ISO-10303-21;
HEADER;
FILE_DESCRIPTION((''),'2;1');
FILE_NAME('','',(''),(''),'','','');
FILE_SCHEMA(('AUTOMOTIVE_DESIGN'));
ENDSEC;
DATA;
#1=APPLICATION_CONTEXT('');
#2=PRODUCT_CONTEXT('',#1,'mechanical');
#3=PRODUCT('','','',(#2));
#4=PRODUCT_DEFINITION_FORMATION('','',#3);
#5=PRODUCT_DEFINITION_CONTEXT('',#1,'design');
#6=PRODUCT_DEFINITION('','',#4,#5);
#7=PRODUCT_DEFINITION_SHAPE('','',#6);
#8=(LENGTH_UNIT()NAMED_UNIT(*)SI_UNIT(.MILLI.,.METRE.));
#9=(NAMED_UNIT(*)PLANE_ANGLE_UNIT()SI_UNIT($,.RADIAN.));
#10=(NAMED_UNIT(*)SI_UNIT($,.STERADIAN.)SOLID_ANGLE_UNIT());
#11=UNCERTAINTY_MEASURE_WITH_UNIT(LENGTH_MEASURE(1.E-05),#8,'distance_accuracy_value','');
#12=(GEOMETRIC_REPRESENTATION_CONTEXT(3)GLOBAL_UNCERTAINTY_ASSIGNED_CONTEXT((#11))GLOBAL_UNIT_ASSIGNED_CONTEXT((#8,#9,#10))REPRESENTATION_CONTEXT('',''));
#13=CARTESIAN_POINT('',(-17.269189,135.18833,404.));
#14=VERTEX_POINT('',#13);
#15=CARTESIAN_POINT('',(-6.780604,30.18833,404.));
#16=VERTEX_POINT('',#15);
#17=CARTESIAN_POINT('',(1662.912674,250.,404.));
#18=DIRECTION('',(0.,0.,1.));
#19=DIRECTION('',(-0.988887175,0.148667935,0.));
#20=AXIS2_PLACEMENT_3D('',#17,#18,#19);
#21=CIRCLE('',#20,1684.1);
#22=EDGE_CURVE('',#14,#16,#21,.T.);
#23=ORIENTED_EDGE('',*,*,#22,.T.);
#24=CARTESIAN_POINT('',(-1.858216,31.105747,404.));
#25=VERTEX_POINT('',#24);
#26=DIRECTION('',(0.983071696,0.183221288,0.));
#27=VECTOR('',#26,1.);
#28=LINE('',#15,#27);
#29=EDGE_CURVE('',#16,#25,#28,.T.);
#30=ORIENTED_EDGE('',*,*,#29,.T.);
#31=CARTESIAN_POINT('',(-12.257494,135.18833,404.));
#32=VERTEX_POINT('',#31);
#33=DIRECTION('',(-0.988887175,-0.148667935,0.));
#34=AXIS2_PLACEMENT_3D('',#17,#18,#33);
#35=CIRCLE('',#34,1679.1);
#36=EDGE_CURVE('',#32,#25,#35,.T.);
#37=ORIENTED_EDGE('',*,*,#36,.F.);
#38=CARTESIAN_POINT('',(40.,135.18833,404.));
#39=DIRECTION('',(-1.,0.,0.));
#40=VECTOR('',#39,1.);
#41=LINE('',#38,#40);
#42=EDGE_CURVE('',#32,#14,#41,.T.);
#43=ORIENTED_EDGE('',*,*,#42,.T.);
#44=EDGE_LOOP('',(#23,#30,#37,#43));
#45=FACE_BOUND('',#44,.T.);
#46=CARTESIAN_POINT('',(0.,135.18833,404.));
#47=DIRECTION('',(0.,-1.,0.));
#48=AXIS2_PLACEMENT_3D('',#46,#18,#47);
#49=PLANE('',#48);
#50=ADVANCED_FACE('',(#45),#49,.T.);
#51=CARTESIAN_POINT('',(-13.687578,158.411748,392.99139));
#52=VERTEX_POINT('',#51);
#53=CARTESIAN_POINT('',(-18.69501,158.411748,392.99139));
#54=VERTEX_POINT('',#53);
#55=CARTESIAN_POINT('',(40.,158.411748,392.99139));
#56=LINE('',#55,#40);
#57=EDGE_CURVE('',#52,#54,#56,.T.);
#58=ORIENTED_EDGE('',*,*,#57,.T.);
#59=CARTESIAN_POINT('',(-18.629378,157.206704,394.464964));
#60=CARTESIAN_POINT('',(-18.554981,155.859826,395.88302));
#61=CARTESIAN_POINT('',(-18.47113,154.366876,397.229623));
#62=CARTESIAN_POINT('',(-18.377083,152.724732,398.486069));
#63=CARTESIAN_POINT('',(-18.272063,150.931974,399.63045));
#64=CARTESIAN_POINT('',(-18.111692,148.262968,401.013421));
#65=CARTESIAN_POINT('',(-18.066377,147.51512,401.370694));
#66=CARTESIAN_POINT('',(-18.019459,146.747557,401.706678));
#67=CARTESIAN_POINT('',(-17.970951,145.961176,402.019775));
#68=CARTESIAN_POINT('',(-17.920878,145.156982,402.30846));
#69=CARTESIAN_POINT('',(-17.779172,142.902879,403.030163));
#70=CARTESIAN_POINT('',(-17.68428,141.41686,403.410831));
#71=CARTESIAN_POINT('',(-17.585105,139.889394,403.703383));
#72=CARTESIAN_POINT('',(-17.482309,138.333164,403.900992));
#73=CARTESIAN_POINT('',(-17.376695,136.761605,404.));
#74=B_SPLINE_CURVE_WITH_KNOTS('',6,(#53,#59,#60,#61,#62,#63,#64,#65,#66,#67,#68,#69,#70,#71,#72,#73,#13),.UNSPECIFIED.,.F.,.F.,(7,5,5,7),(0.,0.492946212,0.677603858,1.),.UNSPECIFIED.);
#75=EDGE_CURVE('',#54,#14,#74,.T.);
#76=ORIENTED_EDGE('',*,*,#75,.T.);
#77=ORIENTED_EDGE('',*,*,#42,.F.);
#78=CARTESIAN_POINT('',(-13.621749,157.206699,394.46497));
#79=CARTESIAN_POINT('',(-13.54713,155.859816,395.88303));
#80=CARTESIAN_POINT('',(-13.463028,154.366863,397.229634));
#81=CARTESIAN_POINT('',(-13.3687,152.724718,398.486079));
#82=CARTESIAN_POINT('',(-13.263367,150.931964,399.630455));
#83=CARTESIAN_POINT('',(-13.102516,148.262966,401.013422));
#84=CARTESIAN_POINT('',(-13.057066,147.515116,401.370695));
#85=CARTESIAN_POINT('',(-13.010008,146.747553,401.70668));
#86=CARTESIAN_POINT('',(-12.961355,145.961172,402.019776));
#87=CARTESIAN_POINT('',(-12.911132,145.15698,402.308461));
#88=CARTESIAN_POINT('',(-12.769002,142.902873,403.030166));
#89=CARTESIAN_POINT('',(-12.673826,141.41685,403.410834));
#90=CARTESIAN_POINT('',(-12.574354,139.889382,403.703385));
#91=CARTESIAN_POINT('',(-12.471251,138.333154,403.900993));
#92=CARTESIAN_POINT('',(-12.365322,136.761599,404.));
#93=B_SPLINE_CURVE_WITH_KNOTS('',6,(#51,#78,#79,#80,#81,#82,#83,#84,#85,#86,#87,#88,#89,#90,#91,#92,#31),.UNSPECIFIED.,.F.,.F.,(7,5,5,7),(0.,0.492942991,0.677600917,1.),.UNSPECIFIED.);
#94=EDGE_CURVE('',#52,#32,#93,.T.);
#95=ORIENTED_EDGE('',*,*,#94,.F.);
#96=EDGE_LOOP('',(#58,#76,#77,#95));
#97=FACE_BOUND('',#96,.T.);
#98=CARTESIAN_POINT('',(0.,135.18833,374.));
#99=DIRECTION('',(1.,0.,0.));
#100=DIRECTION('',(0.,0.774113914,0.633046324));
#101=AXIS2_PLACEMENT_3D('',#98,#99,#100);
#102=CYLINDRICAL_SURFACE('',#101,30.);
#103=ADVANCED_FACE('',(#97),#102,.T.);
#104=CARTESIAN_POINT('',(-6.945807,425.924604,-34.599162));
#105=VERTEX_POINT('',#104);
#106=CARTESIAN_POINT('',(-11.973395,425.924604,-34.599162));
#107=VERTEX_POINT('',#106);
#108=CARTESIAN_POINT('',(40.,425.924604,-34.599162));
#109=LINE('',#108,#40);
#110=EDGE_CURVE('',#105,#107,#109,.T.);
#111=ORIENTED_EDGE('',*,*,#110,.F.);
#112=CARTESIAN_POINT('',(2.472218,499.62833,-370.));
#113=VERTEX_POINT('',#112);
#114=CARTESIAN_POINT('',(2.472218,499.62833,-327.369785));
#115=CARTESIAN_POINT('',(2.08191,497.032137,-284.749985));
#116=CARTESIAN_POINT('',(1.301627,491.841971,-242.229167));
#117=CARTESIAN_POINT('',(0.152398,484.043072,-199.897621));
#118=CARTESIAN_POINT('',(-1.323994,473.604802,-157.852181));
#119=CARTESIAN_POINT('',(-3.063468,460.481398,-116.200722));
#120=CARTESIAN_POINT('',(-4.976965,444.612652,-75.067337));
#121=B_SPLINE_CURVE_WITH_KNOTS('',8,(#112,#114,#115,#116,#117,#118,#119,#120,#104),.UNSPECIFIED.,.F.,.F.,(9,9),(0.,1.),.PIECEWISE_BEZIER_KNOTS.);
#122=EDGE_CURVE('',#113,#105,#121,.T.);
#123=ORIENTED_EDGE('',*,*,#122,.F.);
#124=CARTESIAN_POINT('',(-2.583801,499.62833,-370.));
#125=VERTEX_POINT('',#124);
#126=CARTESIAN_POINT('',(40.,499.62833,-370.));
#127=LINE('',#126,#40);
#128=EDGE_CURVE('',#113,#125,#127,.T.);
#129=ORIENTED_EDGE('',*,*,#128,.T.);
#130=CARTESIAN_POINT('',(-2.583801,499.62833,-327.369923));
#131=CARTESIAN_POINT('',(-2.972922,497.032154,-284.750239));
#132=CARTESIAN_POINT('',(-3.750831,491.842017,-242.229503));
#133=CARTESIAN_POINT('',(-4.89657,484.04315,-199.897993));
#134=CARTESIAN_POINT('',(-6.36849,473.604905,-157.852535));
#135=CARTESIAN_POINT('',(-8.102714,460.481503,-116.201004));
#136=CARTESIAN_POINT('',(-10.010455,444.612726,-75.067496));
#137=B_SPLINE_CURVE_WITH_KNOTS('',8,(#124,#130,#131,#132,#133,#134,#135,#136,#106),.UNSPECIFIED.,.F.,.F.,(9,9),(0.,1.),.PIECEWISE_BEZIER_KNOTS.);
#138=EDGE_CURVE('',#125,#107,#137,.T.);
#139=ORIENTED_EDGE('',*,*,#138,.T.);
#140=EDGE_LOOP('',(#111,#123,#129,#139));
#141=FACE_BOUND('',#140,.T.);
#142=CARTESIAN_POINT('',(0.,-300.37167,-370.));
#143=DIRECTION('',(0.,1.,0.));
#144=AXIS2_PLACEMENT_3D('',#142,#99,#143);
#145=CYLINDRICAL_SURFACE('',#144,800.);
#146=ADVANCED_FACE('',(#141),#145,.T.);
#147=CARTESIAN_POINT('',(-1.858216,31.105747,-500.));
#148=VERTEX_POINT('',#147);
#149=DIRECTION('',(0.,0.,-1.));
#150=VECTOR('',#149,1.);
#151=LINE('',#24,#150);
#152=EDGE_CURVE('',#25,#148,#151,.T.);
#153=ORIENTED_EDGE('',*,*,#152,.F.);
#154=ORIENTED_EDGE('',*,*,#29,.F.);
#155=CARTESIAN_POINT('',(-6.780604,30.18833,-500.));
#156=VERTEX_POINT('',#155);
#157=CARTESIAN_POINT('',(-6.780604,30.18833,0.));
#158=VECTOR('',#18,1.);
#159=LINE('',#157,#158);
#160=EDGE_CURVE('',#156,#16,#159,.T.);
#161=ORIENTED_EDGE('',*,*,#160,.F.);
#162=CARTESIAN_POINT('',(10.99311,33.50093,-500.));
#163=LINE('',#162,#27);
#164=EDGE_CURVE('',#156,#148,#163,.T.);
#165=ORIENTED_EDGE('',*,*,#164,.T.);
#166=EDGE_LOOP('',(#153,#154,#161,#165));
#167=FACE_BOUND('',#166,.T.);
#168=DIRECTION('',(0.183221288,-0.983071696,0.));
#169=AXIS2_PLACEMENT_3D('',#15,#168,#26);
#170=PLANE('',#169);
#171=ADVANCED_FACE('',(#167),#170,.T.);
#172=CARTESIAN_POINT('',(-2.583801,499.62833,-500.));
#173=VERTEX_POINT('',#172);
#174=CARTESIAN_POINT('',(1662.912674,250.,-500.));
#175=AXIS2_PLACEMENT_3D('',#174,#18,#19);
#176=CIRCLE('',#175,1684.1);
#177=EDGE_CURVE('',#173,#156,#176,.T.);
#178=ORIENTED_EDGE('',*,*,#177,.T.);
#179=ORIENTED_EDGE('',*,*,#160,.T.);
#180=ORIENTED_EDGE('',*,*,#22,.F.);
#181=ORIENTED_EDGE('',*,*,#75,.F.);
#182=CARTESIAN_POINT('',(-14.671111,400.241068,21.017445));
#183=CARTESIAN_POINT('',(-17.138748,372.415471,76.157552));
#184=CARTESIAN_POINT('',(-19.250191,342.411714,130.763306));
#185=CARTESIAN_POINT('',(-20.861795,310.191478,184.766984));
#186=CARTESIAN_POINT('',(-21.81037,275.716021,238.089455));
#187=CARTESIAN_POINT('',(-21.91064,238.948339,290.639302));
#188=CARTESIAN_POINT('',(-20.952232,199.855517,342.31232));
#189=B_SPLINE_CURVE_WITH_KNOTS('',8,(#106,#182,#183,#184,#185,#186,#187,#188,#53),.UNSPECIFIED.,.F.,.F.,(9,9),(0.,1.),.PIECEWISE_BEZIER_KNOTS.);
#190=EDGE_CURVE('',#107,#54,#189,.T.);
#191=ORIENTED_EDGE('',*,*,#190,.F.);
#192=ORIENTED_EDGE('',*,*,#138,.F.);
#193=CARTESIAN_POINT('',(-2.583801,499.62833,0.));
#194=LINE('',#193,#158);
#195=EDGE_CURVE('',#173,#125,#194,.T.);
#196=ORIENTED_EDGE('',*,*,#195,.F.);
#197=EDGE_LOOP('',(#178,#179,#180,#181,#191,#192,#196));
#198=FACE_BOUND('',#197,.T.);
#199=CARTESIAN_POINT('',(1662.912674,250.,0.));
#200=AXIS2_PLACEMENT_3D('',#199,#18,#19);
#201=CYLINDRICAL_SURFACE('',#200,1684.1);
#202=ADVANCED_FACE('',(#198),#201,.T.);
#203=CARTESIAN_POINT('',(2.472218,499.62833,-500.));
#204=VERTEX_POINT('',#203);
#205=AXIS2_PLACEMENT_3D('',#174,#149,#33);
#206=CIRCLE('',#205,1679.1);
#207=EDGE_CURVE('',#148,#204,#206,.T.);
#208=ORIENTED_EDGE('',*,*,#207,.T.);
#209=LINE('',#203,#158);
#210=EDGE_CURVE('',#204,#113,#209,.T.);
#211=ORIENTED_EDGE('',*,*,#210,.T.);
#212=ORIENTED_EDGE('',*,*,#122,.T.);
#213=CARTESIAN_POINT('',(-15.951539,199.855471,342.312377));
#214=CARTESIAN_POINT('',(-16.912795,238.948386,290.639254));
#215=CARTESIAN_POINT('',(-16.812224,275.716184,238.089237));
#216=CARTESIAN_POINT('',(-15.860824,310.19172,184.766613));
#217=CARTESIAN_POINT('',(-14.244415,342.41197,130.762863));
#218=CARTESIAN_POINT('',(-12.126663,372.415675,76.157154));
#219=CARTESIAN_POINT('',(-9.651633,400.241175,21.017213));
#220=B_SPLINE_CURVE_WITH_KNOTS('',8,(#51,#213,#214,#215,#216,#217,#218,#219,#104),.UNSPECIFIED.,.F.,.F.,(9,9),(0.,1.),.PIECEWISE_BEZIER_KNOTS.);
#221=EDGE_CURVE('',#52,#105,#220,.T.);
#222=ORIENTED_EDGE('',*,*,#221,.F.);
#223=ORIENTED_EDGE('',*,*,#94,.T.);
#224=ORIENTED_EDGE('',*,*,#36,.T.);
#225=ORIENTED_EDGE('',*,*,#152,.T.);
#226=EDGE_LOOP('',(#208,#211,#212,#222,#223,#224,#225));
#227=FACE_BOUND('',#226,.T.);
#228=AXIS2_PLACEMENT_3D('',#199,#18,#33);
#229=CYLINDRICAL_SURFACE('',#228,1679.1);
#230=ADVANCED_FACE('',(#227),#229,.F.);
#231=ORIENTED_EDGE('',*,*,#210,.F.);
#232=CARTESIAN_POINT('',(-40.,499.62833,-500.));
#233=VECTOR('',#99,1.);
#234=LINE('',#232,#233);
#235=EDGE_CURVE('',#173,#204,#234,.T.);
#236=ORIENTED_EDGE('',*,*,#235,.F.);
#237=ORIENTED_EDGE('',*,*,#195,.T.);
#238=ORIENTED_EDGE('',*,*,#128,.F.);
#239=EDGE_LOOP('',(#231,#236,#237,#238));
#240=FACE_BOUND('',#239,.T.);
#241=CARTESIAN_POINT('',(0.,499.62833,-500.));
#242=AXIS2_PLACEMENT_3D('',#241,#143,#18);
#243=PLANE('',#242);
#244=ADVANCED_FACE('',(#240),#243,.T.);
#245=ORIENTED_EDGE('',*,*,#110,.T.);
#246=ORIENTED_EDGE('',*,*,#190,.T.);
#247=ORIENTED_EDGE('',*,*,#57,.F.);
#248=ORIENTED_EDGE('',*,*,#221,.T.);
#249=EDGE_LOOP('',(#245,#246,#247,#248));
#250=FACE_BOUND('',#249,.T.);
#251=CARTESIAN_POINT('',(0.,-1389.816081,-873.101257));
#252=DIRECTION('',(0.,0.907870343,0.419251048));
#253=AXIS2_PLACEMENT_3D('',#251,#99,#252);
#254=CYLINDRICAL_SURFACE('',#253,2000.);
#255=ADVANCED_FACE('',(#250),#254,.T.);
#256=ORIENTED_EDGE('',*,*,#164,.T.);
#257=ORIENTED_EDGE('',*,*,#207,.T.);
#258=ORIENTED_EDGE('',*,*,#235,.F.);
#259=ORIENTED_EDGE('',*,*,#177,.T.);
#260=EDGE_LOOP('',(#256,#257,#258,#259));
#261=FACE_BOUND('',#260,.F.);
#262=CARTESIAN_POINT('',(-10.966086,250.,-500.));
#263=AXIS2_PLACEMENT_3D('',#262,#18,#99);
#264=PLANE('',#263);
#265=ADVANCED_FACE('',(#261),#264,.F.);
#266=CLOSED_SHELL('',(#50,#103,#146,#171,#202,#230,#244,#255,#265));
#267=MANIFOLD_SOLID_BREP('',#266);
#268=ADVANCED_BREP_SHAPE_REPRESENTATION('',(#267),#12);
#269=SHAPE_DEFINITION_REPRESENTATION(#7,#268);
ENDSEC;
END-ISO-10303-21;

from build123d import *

# Parameters (mm, degrees)
EXTRUDE_THIN1_DEPTH = 500
SKETCH2_OUTSIDE_W   = 1225.724
SKETCH2_OUTSIDE_H   = 726.468
CUT_EXTRUDE1_DEPTH  = 40
CUT_EXTRUDE2_DEPTH  = 905.0000001


with BuildPart() as part:
    # Sketch1 → Extrude-Thin1 (new body, symmetric)
    with BuildSketch(Plane.XY):
        with BuildLine():
            ThreePointArc((2.472217938, 0.371669838), (-16.187326406, 250), (2.472217938, 499.628330162))
            Line((2.472217938, 499.628330162), (-2.472217938, 500.371669838))
            ThreePointArc((-2.472217938, 500.371669838), (-21.187326406, 250), (-2.472217938, -0.371669838))
            Line((-2.472217938, -0.371669838), (2.472217938, 0.371669838))
        make_face()
    extrude(amount=EXTRUDE_THIN1_DEPTH, both=True)

    # Sketch2 outside → Cut-Extrude1 (cut, symmetric)
    with BuildSketch(Plane(origin=(0, 0, 0), x_dir=(0, 0, -1), z_dir=(1, 0, 0))):
        with Locations((0, 250)):
            Rectangle(SKETCH2_OUTSIDE_W, SKETCH2_OUTSIDE_H)
        with BuildLine():
            Line((500, 499.628330162), (370, 499.628330162))
            ThreePointArc((370, 499.628330162), (198.298251655, 480.98516901), (34.59916172, 425.9246042))
            ThreePointArc((34.59916172, 425.9246042), (-187.662872816, 305.701379942), (-392.991389707, 158.411747589))
            ThreePointArc((-392.991389707, 158.411747589), (-401.108501353, 148.038589085), (-404, 135.188330162))
            Line((-404, 135.188330162), (-404, 30.188330162))
            Line((-404, 30.188330162), (500, 30.188330162))
            Line((500, 30.188330162), (500, 499.628330162))
        make_face(mode=Mode.SUBTRACT)
    extrude(amount=CUT_EXTRUDE1_DEPTH, both=True, mode=Mode.SUBTRACT)

    # Sketch3 → Cut-Extrude2 (cut, through all)
    with BuildSketch(Plane.XY.offset(404)):
        Polygon((-6.780603569, 30.188330162), (-1.858216297, 31.105746602), (-1.737331603, 30.188330162), align=None)
    extrude(amount=-CUT_EXTRUDE2_DEPTH, mode=Mode.SUBTRACT)


solid = part.part
